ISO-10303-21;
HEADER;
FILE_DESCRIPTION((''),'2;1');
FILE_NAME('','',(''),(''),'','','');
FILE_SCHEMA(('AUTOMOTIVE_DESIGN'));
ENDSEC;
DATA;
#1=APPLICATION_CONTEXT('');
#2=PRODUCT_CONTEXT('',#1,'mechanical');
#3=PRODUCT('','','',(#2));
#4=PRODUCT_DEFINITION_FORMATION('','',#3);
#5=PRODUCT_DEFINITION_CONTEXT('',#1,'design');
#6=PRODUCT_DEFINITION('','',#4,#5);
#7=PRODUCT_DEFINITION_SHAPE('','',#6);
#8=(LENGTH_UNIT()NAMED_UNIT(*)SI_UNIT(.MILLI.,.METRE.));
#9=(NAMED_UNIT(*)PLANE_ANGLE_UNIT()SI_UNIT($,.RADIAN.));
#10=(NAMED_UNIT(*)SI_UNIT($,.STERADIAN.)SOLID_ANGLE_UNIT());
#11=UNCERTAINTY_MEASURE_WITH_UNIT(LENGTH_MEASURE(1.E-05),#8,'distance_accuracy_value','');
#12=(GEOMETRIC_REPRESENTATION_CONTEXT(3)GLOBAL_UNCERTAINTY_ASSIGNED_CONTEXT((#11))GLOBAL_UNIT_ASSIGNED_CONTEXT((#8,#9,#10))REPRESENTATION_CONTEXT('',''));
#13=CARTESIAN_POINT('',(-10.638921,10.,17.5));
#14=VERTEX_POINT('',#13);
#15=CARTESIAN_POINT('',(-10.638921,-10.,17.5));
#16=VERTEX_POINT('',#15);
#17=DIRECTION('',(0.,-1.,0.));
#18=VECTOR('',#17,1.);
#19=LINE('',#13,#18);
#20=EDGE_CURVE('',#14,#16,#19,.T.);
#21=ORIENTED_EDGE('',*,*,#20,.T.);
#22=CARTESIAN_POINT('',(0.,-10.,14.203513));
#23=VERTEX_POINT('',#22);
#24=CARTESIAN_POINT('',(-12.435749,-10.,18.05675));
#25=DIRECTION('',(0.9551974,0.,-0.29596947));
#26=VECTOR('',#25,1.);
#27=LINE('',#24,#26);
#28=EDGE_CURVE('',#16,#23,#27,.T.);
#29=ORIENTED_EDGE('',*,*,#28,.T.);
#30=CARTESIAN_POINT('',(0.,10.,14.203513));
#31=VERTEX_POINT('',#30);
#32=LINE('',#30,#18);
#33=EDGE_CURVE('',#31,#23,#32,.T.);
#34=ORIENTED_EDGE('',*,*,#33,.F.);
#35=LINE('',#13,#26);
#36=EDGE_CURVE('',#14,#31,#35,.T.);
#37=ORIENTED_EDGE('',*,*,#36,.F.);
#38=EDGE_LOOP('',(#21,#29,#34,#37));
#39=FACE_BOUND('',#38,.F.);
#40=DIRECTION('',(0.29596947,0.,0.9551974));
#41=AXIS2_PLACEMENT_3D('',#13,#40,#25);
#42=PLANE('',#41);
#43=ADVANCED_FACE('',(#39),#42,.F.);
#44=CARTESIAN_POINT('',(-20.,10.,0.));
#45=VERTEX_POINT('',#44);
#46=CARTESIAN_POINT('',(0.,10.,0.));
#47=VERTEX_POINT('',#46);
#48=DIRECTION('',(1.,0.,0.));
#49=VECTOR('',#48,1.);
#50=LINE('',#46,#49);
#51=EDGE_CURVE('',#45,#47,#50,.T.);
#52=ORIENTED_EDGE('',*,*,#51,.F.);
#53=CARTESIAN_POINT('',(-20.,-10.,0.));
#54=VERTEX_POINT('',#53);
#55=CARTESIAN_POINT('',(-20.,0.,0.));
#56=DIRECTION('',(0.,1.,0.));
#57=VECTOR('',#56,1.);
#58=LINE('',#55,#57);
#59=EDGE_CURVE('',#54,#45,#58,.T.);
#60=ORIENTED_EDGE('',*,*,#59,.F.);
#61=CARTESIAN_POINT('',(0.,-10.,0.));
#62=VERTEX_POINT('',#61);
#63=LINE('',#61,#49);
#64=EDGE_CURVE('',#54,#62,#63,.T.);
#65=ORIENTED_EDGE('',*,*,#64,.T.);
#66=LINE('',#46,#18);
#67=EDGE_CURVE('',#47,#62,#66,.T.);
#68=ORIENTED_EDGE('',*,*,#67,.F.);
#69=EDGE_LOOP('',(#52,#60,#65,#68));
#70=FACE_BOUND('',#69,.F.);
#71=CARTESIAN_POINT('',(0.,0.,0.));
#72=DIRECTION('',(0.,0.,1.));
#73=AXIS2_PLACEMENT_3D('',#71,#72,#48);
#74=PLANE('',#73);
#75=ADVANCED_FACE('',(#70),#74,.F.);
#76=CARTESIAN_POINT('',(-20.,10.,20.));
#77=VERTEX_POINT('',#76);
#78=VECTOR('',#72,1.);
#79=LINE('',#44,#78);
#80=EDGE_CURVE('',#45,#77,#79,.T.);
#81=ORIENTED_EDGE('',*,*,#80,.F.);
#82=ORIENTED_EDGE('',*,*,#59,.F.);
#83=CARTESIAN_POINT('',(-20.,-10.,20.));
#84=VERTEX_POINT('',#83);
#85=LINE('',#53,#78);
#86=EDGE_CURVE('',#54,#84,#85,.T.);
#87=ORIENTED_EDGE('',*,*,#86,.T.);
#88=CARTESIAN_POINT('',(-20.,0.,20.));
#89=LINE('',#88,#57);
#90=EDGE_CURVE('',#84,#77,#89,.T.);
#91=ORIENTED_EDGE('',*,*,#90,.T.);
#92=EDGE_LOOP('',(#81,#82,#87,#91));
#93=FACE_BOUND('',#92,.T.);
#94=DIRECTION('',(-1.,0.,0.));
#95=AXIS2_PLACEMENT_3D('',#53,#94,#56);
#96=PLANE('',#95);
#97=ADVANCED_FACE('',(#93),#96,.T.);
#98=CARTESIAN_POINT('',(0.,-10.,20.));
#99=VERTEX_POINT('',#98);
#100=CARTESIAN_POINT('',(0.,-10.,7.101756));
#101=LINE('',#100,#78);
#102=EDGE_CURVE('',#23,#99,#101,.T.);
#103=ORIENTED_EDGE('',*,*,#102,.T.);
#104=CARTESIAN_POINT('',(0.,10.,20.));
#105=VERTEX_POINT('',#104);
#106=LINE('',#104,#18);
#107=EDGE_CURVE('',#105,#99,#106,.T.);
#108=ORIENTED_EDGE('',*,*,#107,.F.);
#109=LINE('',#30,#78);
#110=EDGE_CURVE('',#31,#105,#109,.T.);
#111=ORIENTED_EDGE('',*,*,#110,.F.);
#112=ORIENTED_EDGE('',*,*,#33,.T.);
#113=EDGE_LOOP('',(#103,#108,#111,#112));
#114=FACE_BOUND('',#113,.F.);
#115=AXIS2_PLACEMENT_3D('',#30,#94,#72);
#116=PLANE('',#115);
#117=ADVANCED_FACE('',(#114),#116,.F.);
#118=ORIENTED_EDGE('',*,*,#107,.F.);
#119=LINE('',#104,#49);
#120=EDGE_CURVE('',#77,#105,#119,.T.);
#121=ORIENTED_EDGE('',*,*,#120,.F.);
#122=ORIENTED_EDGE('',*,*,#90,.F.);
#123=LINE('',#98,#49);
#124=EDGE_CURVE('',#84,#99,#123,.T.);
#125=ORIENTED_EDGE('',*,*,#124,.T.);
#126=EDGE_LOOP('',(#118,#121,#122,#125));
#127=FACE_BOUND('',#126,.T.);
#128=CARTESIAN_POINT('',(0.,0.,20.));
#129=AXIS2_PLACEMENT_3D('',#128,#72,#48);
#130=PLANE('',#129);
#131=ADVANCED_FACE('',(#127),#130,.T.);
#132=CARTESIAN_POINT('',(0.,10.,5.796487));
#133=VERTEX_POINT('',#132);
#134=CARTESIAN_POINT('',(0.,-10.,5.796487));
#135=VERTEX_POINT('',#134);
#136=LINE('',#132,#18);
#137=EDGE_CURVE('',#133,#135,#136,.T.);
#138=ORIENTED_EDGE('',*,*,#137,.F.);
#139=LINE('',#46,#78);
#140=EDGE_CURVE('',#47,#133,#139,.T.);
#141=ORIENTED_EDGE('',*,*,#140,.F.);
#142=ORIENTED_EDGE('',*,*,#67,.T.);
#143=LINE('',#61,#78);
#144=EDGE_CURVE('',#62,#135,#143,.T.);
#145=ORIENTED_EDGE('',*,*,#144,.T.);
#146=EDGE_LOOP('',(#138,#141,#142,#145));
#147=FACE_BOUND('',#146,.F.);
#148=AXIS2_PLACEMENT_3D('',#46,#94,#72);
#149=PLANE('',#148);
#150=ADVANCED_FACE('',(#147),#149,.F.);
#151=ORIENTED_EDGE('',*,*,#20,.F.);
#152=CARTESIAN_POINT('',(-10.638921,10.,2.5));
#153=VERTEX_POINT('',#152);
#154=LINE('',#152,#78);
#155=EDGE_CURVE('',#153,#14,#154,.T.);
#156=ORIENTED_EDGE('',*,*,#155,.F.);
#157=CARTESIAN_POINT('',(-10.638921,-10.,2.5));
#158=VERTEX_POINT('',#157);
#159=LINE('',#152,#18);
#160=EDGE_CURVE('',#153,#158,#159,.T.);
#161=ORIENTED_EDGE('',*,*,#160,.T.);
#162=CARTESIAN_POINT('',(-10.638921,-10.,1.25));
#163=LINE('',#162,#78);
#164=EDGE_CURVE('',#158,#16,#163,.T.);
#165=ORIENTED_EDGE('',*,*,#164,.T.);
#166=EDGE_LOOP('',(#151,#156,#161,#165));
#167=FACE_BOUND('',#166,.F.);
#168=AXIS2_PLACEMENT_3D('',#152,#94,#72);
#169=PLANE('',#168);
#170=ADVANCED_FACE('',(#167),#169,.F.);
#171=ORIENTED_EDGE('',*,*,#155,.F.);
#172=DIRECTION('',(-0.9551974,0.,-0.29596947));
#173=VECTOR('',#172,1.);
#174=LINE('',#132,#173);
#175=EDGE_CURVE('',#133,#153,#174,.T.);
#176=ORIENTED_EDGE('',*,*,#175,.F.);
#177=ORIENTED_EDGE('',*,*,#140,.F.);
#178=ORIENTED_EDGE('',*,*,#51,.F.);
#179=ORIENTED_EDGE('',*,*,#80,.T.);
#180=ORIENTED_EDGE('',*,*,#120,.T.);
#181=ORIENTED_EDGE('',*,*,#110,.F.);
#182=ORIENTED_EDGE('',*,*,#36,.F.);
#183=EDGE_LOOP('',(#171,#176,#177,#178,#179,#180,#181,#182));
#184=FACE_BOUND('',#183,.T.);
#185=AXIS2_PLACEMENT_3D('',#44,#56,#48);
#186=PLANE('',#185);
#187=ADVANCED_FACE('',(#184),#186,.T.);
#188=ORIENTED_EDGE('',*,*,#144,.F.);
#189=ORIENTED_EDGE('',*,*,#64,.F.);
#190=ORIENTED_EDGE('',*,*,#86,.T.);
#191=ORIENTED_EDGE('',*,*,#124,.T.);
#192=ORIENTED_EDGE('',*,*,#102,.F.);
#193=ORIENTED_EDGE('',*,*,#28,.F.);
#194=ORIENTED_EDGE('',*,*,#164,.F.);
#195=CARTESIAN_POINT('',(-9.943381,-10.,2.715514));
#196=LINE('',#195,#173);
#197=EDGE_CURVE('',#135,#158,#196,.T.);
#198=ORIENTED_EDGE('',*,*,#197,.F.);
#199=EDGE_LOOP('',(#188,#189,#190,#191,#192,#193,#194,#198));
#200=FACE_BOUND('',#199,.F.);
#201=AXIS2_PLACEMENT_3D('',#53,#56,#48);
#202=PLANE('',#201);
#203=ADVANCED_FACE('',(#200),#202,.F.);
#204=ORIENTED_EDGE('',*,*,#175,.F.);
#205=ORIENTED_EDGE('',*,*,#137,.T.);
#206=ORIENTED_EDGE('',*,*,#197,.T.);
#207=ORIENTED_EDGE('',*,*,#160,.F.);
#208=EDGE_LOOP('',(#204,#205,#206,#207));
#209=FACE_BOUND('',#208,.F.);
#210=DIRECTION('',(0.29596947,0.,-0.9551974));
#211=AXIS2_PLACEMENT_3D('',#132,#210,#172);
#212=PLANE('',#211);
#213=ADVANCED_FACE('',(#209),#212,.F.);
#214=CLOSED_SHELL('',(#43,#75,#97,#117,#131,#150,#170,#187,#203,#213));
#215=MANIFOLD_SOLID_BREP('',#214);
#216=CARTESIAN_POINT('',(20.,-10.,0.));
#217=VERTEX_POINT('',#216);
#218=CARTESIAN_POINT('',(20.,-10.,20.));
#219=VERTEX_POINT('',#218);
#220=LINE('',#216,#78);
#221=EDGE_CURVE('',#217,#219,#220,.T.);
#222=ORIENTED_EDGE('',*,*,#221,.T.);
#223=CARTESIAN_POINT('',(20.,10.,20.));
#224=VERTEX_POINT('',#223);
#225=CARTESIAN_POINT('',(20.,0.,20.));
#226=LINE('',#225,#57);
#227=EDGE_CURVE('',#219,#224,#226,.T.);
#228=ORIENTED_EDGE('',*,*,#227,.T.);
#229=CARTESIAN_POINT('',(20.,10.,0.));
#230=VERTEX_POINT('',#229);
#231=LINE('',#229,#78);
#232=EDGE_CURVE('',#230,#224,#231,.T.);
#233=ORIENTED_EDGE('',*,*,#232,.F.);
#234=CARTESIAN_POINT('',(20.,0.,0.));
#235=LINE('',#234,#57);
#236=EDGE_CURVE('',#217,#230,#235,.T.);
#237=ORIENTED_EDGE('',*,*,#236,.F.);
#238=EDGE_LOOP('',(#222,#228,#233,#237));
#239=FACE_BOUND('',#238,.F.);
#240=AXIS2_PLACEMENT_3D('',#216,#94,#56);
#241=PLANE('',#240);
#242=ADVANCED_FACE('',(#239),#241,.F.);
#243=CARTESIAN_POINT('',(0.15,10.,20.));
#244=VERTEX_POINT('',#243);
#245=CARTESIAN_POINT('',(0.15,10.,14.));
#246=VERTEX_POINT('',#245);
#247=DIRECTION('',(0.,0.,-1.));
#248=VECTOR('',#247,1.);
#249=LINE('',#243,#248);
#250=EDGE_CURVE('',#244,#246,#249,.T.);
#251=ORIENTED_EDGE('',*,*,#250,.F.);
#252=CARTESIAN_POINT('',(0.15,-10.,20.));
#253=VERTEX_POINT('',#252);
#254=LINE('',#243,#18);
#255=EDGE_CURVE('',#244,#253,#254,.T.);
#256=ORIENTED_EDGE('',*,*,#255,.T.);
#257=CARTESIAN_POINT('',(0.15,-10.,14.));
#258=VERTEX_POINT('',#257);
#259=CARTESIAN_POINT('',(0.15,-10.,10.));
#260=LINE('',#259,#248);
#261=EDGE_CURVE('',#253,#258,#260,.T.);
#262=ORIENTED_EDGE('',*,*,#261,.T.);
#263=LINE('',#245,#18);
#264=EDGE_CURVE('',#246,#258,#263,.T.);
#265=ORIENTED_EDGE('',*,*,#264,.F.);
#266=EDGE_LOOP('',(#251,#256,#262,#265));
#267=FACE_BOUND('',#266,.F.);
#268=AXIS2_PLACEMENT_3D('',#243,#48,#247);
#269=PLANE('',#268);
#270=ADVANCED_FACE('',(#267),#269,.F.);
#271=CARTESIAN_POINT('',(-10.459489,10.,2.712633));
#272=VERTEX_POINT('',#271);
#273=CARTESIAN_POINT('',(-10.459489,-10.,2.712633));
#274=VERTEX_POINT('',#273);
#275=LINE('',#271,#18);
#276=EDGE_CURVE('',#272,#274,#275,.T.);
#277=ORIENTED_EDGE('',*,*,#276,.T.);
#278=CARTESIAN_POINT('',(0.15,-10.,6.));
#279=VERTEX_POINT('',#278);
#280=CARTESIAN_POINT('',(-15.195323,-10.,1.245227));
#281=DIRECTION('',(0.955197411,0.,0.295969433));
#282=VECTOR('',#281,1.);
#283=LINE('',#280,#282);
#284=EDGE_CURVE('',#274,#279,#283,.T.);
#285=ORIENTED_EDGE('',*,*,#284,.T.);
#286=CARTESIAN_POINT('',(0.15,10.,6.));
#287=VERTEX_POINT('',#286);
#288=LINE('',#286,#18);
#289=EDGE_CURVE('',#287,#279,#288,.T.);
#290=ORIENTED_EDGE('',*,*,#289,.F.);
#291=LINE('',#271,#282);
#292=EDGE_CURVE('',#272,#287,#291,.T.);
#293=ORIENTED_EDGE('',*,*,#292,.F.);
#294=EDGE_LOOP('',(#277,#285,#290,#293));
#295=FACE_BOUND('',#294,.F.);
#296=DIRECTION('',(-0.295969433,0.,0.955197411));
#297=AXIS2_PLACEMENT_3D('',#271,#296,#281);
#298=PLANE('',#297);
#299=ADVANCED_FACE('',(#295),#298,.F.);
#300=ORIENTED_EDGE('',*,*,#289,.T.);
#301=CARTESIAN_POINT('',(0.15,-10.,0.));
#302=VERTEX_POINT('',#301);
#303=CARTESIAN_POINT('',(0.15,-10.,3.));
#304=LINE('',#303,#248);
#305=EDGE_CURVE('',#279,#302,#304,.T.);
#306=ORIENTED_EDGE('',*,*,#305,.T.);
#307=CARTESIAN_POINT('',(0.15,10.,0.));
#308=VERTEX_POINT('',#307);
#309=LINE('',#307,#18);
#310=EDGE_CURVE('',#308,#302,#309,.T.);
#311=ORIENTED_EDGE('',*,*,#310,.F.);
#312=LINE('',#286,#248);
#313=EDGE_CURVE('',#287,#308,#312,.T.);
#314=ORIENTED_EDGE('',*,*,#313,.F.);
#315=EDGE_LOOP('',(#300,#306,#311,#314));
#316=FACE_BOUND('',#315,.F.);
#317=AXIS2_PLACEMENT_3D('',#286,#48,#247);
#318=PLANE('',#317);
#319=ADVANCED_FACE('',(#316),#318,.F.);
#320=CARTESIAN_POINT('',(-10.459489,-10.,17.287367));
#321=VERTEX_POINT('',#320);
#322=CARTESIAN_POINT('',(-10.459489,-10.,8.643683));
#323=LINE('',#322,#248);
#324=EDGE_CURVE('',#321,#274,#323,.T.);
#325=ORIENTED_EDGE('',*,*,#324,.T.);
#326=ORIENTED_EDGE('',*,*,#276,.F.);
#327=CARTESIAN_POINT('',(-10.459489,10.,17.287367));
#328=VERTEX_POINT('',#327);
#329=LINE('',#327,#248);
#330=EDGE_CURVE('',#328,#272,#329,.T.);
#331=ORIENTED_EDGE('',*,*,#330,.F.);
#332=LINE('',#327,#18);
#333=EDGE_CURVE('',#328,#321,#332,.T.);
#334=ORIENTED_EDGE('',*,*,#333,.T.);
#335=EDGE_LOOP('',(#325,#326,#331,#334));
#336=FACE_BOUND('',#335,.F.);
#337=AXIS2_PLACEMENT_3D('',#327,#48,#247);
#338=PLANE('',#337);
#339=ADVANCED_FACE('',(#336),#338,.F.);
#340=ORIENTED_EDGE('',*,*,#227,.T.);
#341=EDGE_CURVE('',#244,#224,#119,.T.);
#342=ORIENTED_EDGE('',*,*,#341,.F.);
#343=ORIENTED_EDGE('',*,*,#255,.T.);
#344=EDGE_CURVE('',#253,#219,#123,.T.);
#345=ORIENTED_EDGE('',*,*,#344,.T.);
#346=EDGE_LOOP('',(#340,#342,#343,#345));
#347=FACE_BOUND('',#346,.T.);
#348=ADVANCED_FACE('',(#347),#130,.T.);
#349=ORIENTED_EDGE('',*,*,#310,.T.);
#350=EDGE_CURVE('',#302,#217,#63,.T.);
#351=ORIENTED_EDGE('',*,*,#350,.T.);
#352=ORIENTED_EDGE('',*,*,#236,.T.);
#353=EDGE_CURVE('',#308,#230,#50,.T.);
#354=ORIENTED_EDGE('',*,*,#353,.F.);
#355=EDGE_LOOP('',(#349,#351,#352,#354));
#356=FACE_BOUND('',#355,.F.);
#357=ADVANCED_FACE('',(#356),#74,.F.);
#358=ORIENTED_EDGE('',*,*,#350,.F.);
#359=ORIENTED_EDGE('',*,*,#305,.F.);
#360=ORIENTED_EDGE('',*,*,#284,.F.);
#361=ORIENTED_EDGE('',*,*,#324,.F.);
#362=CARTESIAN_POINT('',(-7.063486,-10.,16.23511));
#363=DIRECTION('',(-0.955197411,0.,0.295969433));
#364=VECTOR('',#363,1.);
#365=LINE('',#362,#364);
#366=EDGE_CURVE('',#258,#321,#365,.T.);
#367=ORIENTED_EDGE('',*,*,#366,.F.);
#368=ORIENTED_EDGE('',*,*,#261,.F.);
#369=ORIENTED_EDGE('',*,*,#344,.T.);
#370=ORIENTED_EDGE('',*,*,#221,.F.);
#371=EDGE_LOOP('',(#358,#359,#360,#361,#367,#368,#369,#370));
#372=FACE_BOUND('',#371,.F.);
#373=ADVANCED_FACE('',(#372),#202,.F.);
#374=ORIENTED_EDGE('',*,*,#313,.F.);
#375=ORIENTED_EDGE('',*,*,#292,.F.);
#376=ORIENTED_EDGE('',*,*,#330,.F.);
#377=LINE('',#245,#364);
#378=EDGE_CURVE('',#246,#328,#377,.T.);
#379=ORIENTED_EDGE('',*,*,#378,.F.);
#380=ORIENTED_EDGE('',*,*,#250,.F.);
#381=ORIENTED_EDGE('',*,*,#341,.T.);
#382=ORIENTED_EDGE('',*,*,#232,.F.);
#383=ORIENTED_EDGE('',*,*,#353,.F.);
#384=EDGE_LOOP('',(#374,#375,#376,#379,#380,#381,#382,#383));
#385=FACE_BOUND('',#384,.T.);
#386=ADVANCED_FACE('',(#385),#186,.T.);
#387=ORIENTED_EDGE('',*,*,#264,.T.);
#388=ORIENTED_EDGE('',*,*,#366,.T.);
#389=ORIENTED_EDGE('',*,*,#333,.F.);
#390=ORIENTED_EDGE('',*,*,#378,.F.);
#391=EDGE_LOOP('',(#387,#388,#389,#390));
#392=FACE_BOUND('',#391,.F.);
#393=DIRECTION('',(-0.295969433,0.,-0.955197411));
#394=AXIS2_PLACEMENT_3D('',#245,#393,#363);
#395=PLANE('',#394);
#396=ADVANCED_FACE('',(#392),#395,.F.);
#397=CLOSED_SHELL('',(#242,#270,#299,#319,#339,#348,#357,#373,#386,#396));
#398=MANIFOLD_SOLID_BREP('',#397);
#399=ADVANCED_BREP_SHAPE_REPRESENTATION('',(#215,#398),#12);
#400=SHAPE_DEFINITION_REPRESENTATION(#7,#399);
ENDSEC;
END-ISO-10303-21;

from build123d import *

# Parameters (mm, degrees)
F0_W     = 40
F0_H     = 20
F1_DEPTH = 20
F3_DEPTH = 25


with BuildPart() as f1:
    # F0 (on Top) → F1 (new body)
    with BuildSketch(Plane.XY):
        Rectangle(F0_W, F0_H)
    extrude(amount=F1_DEPTH)

    # F2 (on face) → F3 (cut)
    with BuildSketch(Plane(origin=(0, 10, 0), x_dir=(-1, 0, 0), z_dir=(0, 1, 0))):
        Polygon((-0.15, 0), (0, 0), (0, 5.796487), (10.638921, 2.5), (10.638921, 17.5), (0, 14.203513), (0, 20), (-0.15, 20), (-0.15, 14), (10.459489, 17.287367), (10.459489, 2.712633), (-0.15, 6), align=None)
    extrude(amount=-F3_DEPTH, mode=Mode.SUBTRACT)


solid = f1.part
